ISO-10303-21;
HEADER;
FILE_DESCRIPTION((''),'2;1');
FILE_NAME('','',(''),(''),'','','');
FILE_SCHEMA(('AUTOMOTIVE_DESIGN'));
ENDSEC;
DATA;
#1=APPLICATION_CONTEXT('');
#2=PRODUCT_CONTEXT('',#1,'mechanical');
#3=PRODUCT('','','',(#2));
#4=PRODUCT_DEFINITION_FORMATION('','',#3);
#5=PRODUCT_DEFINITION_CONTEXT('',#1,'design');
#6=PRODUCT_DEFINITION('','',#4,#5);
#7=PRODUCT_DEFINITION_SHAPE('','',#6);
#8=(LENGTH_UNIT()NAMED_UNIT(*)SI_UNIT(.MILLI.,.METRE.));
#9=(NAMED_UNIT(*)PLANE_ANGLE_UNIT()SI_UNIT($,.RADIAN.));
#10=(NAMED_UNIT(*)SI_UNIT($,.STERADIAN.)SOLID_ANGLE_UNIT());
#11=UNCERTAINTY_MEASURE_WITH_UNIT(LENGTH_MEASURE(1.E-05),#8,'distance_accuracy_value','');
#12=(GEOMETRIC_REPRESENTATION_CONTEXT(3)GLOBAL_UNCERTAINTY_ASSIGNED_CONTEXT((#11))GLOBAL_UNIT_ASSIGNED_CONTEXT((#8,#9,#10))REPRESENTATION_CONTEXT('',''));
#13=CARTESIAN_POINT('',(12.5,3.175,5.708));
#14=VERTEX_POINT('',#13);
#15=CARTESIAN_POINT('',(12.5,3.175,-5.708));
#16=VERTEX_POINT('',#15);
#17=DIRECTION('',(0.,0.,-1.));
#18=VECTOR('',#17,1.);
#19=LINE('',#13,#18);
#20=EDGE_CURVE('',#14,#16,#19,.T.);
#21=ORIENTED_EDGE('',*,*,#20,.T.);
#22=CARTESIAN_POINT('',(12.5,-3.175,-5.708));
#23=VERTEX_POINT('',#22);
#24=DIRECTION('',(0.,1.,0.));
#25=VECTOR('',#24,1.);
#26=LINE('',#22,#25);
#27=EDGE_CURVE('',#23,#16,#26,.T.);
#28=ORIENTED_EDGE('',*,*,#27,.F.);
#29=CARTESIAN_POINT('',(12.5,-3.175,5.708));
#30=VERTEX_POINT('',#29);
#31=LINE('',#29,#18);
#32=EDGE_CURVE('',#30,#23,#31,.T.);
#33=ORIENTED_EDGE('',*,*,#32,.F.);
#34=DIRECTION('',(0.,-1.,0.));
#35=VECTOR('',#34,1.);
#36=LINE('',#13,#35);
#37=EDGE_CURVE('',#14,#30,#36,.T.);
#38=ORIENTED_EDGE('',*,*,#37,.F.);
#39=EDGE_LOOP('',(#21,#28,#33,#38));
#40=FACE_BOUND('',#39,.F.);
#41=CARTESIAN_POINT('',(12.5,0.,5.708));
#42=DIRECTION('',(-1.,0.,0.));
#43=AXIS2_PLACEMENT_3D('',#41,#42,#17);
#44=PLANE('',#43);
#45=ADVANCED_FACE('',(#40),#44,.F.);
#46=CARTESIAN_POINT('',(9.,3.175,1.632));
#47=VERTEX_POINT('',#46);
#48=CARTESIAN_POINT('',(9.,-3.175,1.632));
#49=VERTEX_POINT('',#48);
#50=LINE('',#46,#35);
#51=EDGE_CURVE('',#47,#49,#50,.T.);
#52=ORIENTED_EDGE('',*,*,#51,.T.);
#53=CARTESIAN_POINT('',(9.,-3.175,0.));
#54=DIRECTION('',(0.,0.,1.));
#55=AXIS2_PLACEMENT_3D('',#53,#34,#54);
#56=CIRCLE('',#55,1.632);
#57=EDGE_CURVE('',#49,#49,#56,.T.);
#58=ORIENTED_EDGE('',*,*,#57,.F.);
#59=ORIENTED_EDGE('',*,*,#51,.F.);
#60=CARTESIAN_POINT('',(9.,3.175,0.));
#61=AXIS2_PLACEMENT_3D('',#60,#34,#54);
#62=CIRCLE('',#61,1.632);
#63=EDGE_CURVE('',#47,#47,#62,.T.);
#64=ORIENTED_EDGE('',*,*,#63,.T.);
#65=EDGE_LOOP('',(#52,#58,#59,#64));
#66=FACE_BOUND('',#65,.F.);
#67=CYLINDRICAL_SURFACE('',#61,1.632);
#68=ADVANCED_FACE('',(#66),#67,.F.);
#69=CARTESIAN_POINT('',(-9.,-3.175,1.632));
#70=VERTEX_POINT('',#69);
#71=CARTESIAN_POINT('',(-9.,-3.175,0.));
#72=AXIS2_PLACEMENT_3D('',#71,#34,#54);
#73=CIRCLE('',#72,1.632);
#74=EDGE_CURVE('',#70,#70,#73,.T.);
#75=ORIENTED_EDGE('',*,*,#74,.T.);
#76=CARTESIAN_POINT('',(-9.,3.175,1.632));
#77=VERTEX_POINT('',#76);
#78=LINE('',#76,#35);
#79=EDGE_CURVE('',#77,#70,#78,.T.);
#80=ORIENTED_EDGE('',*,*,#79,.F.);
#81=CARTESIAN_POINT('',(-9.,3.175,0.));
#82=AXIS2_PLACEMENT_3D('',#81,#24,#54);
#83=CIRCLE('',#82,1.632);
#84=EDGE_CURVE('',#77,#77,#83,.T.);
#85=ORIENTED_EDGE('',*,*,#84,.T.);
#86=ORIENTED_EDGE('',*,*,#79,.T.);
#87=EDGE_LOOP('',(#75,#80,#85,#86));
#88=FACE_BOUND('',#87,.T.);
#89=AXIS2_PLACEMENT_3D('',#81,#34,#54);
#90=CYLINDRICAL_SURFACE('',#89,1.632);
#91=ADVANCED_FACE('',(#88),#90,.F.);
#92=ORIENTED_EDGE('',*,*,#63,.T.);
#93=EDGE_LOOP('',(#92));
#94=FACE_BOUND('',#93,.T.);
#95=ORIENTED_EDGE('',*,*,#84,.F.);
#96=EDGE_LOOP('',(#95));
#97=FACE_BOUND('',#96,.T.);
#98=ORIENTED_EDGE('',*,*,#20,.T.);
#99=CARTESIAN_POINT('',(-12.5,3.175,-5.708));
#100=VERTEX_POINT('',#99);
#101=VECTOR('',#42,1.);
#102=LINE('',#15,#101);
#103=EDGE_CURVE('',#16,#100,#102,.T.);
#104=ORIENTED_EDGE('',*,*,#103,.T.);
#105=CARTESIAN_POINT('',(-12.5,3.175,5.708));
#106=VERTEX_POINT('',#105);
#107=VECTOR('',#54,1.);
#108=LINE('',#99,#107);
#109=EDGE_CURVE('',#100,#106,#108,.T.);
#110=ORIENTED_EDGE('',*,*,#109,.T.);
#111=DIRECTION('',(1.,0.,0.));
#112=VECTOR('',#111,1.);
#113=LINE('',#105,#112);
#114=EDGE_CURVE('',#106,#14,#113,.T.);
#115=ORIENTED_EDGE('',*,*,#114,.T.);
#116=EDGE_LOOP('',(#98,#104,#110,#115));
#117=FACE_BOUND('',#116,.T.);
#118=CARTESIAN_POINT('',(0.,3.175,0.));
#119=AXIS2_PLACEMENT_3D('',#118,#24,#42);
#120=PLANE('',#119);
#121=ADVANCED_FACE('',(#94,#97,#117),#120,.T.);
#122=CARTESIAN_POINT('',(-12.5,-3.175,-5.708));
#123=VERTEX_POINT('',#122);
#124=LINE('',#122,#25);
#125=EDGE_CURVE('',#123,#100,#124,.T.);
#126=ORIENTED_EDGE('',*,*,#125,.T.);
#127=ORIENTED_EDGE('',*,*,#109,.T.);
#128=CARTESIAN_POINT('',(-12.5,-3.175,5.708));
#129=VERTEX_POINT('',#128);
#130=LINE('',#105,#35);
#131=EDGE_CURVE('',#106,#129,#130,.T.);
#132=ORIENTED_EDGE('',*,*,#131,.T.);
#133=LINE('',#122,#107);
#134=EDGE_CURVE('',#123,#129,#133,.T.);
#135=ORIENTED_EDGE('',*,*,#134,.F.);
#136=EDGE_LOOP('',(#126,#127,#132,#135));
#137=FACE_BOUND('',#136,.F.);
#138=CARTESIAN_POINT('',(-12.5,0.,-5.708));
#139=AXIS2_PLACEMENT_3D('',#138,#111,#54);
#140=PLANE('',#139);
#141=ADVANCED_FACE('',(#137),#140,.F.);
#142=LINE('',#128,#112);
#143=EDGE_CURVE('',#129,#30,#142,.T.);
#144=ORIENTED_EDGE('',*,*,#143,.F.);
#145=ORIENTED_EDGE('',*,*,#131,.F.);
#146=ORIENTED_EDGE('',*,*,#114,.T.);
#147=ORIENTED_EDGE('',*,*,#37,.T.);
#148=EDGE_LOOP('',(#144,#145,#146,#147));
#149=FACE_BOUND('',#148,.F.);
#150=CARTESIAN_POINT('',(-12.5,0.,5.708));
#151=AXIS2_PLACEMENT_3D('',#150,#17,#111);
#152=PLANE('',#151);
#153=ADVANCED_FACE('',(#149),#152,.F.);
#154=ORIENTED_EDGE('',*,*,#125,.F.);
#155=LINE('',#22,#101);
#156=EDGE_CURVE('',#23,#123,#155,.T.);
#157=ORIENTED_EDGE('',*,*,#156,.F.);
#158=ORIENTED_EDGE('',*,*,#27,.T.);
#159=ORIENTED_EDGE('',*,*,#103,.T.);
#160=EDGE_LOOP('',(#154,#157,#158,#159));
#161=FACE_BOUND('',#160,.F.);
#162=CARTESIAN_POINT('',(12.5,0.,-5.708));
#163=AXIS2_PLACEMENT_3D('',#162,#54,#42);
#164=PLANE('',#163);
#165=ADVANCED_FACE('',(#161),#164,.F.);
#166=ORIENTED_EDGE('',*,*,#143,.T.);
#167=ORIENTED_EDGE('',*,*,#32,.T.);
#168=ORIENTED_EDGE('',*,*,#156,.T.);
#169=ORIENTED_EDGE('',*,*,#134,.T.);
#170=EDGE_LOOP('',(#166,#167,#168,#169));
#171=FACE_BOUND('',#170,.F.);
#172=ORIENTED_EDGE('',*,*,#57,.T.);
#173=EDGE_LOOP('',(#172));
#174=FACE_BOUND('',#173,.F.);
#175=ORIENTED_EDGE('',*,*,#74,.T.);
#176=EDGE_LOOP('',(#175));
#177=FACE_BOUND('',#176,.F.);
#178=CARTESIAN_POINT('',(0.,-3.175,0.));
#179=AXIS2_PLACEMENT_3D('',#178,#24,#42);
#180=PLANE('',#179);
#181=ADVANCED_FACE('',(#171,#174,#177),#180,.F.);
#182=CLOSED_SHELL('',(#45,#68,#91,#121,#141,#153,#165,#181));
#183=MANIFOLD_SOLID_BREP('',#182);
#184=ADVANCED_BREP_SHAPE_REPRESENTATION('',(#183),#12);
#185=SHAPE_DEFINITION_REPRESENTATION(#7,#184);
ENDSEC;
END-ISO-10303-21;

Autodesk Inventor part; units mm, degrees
ref_plane "YZ Plane" through (0, 0, 0) normal (1, 0, 0) x (0, 1, 0)
ref_plane "XZ Plane" through (0, 0, 0) normal (0, 1, 0) x (-1, 0, 0)
ref_plane "XY Plane" through (0, 0, 0) normal (0, 0, 1) x (1, 0, 0)
sketch "Sketch4" plane through (0, 0, 0) normal (0, 1, 0) x (-1, 0, 0)
  line L0 (-12.5, -5.708) -> (12.5, -5.708)
  line L1 (12.5, -5.708) -> (12.5, 5.708)
  line L2 (12.5, 5.708) -> (-12.5, 5.708)
  line L3 (-12.5, 5.708) -> (-12.5, -5.708)
  line L4 (-12.5, -5.708) -> (12.5, 5.708) construction
  line L5 (12.5, -5.708) -> (-12.5, 5.708) construction
  point P0 (0, 0)
  dimension "d22" = 11.416
  dimension "d23" = 25
extrude "Extrusion3" add sketch "Sketch4" along normal mid plane 6.35
sketch "Sketch5" plane through (0, 3.175, 0) normal (0, 1, 0) x (1, 0, 0)
  line L0 (12.5, 5.708) -> (-12.5, 5.708) projected
  line L1 (-12.5, 5.708) -> (-12.5, -5.708) projected
  line L2 (-12.5, -5.708) -> (12.5, -5.708) projected
  line L3 (12.5, -5.708) -> (12.5, 5.708) projected
  line L4 (9, 0) -> (0, 0)
  dimension "d26" = 9
hole "Hole2" at (9, 3.175, 0) direction (0, -1, 0) diameter 3.264 end through all clearance for "Socket Head Cap Screw" size "#4" standard "Ansi Unified Screw Threads"
mirror "Mirror2" about plane through (0, 0, 0) normal (1, 0, 0) of "Hole2"
equation "\"d22\" = 2 * silveringThickness + ScintillatorThickness + 2 * rubberizedCoating"
equation "\"d26\" = MountingScrewOffsett"
equation "\"OpticalFiberClearence\" = 0.071"
equation "\"ScintillatorEdgeClearence\" = 3"
equation "\"ShallowTrackDepth\" = 1.142"
equation "\"DeepTrackDepth\" = 5.571"
equation "\"FiberEdgeOffsett\" = 5"
equation "\"LoopLargeTrackRatio\" = 1.1"
equation "\"FiberSensorClerence\" = 0.5"
equation "\"MountingScrewOffsett\" = 9"
equation "\"silveringThickness\" = 0.2"
equation "\"mppcMountDepth\" = 6.35"
equation "\"ScintillatorThickness\" = 10"
properties part number "suppourtBlock" material "Aluminum 6061"
